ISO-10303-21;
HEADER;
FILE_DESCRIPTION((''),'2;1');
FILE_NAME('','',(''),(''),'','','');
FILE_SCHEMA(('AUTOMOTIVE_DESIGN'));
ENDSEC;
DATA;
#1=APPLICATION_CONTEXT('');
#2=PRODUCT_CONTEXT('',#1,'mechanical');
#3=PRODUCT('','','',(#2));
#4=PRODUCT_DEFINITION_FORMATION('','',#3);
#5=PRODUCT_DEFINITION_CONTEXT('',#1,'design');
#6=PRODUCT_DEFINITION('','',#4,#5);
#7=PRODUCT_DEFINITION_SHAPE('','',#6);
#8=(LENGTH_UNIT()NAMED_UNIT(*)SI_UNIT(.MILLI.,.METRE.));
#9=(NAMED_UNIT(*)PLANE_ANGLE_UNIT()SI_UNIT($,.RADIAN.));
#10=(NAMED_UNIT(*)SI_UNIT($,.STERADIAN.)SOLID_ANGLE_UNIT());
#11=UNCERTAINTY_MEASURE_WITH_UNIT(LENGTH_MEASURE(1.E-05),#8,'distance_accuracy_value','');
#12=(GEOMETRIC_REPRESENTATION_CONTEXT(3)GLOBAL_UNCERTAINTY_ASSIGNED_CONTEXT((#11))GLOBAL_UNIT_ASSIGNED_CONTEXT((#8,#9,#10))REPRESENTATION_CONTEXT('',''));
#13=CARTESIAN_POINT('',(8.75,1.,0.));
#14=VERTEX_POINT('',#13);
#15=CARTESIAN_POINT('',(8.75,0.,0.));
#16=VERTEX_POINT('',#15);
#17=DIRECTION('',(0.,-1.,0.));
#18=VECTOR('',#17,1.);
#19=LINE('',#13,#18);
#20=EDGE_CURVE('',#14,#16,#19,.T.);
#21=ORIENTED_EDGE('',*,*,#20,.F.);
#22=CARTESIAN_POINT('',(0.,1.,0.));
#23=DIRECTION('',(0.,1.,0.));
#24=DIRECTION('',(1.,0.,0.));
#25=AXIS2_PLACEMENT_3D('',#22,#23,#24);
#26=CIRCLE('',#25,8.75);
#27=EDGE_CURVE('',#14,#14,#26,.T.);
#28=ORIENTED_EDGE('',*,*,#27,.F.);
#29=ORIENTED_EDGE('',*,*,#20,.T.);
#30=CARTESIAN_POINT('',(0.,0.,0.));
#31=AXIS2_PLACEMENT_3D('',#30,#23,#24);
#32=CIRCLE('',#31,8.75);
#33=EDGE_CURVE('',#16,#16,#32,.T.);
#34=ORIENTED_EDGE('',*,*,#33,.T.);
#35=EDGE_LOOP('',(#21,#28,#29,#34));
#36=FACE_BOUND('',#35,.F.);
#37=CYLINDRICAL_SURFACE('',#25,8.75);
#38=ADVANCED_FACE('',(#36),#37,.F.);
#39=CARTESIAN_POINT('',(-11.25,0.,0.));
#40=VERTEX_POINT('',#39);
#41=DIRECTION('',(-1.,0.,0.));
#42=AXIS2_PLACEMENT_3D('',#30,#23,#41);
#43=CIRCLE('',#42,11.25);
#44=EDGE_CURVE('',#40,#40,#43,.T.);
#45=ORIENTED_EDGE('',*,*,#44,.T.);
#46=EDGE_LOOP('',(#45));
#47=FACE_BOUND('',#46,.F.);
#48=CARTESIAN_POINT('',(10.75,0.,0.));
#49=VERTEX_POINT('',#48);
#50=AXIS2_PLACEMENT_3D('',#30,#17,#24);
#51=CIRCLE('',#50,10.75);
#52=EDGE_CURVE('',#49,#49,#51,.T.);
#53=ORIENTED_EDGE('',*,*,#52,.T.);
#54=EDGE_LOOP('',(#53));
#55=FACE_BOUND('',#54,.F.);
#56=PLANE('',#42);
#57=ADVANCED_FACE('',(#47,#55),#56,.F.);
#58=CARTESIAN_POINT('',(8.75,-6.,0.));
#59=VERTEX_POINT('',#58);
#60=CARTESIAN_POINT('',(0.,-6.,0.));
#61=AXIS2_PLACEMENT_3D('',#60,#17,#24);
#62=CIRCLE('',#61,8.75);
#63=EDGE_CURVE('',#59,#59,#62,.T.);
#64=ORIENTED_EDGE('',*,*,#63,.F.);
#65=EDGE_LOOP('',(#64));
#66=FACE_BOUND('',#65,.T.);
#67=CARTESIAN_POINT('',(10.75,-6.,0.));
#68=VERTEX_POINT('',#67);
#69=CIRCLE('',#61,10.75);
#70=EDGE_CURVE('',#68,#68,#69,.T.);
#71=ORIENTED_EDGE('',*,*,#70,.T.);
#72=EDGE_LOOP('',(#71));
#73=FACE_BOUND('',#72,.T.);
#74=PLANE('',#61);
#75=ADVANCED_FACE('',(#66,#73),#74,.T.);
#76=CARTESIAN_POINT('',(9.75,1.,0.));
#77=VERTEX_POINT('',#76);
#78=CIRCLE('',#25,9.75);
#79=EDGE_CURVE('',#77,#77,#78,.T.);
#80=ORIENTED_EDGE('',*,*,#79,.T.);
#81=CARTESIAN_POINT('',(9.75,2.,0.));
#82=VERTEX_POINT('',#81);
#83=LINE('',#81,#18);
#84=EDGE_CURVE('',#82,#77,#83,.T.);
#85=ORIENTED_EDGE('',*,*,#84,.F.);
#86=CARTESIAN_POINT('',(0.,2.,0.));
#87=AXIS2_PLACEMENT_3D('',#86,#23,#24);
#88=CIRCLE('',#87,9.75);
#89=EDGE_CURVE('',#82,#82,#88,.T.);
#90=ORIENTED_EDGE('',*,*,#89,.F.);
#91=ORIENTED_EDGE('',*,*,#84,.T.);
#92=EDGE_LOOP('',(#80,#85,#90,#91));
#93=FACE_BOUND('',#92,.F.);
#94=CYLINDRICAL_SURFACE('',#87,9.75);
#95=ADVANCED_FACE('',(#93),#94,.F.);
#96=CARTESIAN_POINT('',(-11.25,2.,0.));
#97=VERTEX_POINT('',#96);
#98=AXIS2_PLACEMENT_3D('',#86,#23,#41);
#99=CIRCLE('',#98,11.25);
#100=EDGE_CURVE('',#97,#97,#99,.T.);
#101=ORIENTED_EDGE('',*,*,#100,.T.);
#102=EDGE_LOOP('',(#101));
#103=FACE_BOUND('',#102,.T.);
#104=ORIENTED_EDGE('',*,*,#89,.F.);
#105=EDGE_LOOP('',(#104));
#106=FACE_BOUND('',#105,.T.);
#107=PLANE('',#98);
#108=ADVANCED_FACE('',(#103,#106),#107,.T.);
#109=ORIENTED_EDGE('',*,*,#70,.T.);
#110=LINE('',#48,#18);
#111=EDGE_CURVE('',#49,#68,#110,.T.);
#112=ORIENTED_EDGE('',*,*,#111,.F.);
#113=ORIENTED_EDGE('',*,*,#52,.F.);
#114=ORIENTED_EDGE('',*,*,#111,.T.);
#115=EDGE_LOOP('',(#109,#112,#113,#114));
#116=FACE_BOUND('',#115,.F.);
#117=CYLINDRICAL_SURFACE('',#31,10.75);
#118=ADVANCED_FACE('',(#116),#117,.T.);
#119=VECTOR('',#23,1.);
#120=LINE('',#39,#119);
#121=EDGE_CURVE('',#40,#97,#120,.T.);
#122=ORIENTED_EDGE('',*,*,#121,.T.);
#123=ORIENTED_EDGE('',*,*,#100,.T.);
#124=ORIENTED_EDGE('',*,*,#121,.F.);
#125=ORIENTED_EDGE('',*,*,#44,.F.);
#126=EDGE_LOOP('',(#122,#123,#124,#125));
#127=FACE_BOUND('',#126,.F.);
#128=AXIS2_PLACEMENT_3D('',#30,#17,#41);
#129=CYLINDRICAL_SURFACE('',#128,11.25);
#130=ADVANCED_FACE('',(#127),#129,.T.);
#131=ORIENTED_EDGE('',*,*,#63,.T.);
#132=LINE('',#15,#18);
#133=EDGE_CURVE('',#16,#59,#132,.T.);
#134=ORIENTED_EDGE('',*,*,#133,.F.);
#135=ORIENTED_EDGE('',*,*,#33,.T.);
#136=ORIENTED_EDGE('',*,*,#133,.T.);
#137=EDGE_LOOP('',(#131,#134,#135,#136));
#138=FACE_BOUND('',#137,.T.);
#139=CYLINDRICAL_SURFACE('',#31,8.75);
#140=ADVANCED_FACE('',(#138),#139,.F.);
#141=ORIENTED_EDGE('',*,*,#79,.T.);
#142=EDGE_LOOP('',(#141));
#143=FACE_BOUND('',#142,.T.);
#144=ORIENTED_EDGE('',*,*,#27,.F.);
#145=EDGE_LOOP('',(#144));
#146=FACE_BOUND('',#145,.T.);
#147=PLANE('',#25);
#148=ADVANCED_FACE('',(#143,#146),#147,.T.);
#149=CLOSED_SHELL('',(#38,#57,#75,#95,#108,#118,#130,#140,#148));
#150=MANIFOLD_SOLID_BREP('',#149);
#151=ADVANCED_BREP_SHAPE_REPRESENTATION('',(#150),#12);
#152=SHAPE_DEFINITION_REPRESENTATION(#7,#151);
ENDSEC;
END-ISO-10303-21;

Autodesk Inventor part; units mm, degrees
ref_plane "YZ Plane" through (0, 0, 0) normal (1, 0, 0) x (0, 1, 0)
ref_plane "XZ Plane" through (0, 0, 0) normal (0, 1, 0) x (-1, 0, 0)
ref_plane "XY Plane" through (0, 0, 0) normal (0, 0, 1) x (1, 0, 0)
sketch "Sketch1" plane through (0, 0, 0) normal (0, 1, 0) x (-1, 0, 0)
  circle A0 centre (0, 0) radius 9.75
  circle A1 centre (0, 0) radius 11.25
  dimension "d0" = 19.5
  dimension "d1" = 22.5
extrude "Extrusion1" add sketch "Sketch1" along normal blind 2 contours A0 | A1
sketch "Sketch2" plane through (0, 2, 0) normal (0, 1, 0) x (1, 0, 0)
  circle A0 centre (0, 0) radius 9.75
  dimension "d4" = 19.5
extrude "Extrusion2" cut sketch "Sketch2" against normal blind 1
sketch "Sketch3" plane through (0, 1, 0) normal (0, 1, 0) x (1, 0, 0)
  circle A0 centre (0, 0) radius 8.75
  dimension "d7" = 17.5
extrude "Extrusion3" cut sketch "Sketch3" against normal blind 1
sketch "Sketch4" plane through (0, 0, 0) normal (0, -1, 0) x (1, 0, 0)
  circle A0 centre (0, 0) radius 8.75
  circle A1 centre (0, 0) radius 10.75
  dimension "d10" = 21.5
  dimension "d13" = 17.5
extrude "Extrusion4" add sketch "Sketch4" along normal blind 6
properties part number "685ZZFlanged_Adapter_3mm"
